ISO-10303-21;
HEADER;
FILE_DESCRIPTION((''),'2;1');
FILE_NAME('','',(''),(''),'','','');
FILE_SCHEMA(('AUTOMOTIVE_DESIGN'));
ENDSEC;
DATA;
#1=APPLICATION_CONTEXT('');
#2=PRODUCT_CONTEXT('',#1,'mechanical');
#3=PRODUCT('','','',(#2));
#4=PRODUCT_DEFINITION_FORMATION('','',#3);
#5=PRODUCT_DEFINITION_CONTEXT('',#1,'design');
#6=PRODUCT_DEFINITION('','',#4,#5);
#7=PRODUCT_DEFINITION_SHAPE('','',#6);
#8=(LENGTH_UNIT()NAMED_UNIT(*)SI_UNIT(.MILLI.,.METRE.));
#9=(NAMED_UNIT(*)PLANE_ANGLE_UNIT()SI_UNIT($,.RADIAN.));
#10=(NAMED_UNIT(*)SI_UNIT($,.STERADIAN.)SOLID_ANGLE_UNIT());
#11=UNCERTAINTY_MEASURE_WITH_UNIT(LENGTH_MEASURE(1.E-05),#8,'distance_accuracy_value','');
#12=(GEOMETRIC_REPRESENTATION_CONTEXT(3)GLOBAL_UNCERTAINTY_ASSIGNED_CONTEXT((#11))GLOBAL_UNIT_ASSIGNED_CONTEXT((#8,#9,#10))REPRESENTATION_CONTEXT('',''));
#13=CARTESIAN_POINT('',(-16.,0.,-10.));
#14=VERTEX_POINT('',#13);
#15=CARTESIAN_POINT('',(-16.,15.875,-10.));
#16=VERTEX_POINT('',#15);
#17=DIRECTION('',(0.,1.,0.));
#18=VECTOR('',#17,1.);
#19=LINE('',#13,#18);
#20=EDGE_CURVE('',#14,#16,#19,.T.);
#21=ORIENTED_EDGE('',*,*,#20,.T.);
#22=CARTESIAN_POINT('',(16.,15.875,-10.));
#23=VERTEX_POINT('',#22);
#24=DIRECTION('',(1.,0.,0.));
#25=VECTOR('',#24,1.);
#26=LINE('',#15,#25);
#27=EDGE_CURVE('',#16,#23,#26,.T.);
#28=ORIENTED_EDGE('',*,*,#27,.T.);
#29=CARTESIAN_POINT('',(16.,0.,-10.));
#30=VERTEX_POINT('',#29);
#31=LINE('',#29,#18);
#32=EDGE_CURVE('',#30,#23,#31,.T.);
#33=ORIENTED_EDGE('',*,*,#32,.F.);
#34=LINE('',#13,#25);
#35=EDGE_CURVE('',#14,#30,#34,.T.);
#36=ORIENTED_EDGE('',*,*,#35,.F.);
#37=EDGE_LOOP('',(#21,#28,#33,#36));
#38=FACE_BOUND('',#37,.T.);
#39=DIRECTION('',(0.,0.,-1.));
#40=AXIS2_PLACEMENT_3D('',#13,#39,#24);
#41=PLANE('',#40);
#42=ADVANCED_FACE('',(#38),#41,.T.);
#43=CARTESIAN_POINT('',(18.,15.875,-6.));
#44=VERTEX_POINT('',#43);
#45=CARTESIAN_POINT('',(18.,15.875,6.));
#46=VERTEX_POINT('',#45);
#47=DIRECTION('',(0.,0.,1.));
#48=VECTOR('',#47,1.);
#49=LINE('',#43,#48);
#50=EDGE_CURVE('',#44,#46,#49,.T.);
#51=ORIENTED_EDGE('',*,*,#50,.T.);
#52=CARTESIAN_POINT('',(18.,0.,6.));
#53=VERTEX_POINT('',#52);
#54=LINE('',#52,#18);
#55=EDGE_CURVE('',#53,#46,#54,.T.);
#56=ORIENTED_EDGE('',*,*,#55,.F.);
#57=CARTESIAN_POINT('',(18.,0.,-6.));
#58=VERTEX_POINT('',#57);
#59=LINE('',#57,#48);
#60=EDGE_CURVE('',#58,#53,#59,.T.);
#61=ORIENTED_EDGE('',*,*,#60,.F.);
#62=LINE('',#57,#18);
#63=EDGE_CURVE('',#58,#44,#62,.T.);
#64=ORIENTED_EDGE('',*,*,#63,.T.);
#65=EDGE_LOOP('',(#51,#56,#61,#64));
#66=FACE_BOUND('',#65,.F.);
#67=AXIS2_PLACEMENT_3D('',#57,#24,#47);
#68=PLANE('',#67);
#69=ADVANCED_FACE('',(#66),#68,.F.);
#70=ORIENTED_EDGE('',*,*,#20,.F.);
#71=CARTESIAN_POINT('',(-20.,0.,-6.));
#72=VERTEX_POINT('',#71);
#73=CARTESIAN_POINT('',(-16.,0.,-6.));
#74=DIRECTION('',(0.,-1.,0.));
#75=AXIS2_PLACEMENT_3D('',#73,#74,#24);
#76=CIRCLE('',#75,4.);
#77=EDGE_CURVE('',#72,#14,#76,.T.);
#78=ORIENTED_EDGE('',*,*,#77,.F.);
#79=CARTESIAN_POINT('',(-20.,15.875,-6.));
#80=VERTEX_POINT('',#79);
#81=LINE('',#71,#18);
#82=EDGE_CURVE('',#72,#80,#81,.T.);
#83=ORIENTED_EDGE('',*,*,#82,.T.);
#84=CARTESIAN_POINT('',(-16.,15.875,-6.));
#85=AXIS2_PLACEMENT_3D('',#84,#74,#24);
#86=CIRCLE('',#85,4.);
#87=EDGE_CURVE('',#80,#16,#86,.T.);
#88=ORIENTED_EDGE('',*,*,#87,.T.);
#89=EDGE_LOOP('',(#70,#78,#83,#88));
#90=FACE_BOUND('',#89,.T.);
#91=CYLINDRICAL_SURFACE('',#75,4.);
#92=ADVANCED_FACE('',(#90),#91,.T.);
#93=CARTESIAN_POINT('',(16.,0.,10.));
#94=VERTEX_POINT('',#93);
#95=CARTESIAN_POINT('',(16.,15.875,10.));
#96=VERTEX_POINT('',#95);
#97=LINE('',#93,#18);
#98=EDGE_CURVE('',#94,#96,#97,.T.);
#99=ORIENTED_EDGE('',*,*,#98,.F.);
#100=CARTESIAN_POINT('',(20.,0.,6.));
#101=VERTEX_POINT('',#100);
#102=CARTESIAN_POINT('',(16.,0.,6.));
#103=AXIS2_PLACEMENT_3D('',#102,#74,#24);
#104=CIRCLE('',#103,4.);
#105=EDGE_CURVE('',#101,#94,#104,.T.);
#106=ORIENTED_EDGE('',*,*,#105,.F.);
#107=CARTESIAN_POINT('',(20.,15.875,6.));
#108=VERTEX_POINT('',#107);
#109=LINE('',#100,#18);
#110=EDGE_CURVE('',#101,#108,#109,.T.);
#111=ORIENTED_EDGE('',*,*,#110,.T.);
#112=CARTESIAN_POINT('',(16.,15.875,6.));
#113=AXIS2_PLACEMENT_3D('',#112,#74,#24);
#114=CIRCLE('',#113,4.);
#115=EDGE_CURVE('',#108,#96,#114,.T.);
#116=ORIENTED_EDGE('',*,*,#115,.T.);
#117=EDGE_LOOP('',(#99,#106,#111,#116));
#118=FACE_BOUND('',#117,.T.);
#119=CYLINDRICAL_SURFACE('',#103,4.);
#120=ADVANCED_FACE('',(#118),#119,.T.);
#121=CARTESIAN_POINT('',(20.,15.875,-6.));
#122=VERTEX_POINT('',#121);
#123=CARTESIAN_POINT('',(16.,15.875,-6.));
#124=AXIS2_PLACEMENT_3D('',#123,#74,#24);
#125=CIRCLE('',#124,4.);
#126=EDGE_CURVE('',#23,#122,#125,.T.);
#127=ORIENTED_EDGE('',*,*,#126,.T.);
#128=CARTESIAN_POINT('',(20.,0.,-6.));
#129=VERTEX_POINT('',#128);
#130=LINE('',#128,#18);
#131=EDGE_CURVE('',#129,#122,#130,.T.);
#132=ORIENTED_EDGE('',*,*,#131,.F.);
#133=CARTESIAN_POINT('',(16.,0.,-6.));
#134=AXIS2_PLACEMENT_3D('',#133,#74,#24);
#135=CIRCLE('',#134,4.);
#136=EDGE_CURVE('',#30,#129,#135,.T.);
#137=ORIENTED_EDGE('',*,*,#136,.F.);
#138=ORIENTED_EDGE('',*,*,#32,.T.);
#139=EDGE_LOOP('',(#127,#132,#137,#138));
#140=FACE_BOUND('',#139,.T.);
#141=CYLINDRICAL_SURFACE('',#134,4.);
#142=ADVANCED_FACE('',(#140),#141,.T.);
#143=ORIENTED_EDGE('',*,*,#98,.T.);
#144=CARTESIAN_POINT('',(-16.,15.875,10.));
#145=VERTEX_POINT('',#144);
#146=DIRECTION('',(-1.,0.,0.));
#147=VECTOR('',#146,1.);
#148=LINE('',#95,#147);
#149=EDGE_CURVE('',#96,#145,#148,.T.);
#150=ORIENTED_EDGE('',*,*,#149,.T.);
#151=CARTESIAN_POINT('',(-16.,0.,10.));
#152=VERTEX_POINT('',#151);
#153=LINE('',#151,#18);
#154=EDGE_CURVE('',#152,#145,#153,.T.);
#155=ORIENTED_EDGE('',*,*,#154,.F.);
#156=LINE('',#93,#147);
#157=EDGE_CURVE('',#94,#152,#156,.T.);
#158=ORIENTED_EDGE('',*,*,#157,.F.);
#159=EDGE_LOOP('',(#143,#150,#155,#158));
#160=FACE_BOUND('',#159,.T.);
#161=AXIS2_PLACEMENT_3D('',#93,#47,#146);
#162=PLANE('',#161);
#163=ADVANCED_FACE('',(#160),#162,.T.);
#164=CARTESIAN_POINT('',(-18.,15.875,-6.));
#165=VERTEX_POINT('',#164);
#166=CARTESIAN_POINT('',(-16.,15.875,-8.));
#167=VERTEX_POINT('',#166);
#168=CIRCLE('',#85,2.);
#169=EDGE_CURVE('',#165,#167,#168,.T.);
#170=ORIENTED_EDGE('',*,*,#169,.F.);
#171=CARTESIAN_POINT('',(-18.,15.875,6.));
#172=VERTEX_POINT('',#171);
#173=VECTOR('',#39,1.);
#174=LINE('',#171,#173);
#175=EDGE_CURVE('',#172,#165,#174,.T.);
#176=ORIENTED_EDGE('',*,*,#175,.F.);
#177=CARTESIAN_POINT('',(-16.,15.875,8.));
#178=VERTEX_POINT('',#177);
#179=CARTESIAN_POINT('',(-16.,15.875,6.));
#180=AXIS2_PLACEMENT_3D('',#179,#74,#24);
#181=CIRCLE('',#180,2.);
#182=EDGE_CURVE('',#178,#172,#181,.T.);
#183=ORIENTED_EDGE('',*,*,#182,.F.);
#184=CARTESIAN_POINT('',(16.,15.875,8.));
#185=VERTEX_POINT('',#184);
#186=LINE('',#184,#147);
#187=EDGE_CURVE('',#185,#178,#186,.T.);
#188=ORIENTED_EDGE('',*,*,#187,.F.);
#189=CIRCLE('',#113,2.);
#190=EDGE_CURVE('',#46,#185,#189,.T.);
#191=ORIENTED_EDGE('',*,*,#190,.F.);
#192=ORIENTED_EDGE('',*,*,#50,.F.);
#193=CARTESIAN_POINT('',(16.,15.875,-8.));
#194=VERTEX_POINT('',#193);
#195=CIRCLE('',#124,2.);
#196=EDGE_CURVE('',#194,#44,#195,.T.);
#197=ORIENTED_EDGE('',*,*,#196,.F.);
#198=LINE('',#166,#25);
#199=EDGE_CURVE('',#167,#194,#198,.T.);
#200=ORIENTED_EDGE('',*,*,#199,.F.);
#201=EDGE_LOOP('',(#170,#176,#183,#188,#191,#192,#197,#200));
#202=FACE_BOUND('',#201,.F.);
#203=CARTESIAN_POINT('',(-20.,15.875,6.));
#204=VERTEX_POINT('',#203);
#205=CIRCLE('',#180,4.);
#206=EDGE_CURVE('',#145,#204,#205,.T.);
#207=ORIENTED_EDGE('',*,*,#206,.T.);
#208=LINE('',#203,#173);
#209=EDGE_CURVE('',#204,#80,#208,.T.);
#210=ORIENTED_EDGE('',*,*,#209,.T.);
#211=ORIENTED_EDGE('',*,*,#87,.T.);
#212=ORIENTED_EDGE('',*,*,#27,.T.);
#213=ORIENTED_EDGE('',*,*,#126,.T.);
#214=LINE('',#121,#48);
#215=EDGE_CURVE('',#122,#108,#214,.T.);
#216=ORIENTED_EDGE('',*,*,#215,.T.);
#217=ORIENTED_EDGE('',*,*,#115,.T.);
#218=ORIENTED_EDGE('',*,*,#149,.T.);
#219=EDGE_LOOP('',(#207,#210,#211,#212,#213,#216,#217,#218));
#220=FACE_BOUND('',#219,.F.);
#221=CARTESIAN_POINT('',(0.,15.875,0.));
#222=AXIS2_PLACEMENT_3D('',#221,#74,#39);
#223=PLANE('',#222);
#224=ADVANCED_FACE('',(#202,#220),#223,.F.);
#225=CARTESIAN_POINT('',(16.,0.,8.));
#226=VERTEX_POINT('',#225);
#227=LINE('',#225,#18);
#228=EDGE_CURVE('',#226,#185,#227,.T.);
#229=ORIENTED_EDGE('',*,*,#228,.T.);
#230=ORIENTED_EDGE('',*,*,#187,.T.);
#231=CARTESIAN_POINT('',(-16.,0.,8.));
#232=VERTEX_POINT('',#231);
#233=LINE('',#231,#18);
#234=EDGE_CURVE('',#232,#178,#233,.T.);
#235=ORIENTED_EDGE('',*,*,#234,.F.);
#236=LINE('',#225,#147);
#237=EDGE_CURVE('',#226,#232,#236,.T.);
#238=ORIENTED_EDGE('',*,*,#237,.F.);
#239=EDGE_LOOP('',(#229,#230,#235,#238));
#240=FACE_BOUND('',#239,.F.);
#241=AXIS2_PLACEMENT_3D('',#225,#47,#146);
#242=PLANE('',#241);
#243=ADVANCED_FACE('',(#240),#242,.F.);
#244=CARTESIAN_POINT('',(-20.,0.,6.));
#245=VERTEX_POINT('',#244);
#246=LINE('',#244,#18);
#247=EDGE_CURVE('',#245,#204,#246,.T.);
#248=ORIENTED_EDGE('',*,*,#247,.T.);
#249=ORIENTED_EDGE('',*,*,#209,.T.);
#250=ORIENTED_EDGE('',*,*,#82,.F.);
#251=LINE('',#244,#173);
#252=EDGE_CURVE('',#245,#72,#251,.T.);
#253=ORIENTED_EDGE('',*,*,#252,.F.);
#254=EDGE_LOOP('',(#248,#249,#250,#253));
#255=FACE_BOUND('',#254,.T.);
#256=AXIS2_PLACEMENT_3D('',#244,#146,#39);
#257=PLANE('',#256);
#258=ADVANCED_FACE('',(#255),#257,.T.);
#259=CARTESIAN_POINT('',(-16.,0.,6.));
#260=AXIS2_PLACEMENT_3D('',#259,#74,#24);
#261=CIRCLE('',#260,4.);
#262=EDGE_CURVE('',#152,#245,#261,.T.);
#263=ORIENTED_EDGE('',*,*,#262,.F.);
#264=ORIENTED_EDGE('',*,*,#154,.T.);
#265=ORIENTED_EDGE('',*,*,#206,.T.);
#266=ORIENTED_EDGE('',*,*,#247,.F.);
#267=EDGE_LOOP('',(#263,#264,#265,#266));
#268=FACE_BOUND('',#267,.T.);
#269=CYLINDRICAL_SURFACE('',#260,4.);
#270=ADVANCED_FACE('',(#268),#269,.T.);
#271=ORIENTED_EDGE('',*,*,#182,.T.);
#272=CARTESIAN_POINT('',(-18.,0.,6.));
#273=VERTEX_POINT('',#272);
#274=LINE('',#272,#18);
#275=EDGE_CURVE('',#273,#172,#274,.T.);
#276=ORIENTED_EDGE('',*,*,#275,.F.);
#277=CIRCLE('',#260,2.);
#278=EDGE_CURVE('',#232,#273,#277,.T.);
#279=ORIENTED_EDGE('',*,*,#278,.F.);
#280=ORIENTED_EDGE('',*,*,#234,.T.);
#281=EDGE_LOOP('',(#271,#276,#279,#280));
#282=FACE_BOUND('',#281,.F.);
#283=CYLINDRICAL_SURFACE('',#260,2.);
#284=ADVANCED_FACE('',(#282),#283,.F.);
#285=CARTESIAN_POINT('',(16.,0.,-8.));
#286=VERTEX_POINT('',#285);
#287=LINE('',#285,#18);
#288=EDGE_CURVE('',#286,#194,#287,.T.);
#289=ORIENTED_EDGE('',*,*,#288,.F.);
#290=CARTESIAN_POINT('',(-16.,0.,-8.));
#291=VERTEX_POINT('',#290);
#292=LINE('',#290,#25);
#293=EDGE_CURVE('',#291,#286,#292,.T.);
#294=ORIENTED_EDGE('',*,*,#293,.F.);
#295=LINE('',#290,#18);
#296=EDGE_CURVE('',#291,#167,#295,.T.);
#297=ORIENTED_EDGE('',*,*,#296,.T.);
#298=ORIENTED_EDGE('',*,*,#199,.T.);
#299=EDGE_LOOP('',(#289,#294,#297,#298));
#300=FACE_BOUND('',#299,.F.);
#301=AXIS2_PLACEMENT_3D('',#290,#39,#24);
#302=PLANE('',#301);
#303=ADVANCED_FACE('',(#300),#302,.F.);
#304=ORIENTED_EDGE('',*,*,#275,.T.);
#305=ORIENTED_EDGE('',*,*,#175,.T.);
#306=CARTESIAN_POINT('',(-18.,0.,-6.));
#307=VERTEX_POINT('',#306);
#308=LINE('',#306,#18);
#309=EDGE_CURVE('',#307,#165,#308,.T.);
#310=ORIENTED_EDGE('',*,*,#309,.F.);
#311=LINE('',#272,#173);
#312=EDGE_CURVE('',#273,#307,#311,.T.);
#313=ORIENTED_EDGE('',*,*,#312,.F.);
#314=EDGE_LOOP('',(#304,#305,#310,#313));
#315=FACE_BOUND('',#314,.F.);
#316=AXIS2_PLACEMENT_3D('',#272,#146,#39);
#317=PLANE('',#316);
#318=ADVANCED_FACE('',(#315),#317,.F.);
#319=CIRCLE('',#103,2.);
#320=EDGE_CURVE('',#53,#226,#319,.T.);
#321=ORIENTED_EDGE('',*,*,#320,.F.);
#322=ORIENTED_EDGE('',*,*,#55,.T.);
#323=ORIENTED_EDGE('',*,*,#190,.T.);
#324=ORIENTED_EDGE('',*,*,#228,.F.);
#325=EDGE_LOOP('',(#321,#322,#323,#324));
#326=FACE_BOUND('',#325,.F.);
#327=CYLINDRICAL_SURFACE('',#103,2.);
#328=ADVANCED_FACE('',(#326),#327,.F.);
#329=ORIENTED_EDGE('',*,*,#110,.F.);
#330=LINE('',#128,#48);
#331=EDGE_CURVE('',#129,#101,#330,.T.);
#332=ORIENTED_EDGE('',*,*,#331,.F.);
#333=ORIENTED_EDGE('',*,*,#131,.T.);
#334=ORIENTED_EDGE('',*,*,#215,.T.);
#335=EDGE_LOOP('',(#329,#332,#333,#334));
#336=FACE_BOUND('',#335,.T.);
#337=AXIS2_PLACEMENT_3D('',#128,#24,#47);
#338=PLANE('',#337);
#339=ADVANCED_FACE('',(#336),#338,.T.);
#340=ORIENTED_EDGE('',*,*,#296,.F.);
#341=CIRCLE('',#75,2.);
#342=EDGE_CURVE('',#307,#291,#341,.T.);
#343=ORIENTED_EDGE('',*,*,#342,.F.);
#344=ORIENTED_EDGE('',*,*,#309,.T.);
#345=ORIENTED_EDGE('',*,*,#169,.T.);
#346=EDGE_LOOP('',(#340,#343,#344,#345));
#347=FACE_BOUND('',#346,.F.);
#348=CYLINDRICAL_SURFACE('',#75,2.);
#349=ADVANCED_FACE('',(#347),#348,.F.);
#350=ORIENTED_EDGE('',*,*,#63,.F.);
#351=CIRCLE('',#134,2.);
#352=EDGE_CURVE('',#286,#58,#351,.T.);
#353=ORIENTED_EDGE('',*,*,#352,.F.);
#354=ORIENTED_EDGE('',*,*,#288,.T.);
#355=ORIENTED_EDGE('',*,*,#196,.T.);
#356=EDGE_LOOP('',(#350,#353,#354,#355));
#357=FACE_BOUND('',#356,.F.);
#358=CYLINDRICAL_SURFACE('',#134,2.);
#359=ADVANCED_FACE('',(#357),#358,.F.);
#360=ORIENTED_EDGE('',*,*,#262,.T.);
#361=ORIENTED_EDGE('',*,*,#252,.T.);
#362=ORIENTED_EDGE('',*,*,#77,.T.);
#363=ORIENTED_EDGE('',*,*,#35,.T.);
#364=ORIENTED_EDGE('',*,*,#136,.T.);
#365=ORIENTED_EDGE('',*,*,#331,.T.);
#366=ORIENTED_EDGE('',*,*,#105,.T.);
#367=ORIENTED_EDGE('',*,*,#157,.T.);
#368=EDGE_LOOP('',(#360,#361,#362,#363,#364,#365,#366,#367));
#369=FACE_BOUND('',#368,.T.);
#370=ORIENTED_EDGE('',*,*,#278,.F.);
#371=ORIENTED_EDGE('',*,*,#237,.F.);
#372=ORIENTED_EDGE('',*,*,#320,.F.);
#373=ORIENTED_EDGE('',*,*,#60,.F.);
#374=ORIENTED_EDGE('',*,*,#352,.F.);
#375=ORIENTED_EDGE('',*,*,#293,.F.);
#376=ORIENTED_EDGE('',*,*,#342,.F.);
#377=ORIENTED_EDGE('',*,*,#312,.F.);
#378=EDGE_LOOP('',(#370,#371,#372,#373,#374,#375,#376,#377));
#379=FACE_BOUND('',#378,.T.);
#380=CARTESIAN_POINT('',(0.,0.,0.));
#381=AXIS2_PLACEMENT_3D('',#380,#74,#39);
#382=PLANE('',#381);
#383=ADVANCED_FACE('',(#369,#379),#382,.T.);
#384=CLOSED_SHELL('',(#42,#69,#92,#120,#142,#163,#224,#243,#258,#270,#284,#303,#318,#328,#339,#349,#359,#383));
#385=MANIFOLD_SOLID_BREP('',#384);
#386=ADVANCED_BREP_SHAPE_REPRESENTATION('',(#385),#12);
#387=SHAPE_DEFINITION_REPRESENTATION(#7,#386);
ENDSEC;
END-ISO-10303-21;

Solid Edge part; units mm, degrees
sketch "Sketch1" plane through (0, 0, 0) normal (0, -1, 0) x (1, 0, 0)
  line L0 (16, 8) -> (-16, 8)
  arc A0 (-16, 8) -> (-18, 6) centre (-16, 6) ccw
  line L1 (-18, 6) -> (-18, -6)
  arc A1 (-18, -6) -> (-16, -8) centre (-16, -6) ccw
  line L2 (-16, -8) -> (16, -8)
  arc A2 (16, -8) -> (18, -6) centre (16, -6) ccw
  line L3 (18, -6) -> (18, 6)
  arc A3 (18, 6) -> (16, 8) centre (16, 6) ccw
  arc A4 (-16, 10) -> (-20, 6) centre (-16, 6) ccw
  line L4 (-20, 6) -> (-20, -6)
  arc A5 (-20, -6) -> (-16, -10) centre (-16, -6) ccw
  line L5 (-16, -10) -> (16, -10)
  arc A6 (16, -10) -> (20, -6) centre (16, -6) ccw
  line L6 (20, -6) -> (20, 6)
  arc A7 (20, 6) -> (16, 10) centre (16, 6) ccw
  line L7 (16, 10) -> (-16, 10)
extrude "Protrusion1" add sketch "Sketch1" against normal blind 15.875
